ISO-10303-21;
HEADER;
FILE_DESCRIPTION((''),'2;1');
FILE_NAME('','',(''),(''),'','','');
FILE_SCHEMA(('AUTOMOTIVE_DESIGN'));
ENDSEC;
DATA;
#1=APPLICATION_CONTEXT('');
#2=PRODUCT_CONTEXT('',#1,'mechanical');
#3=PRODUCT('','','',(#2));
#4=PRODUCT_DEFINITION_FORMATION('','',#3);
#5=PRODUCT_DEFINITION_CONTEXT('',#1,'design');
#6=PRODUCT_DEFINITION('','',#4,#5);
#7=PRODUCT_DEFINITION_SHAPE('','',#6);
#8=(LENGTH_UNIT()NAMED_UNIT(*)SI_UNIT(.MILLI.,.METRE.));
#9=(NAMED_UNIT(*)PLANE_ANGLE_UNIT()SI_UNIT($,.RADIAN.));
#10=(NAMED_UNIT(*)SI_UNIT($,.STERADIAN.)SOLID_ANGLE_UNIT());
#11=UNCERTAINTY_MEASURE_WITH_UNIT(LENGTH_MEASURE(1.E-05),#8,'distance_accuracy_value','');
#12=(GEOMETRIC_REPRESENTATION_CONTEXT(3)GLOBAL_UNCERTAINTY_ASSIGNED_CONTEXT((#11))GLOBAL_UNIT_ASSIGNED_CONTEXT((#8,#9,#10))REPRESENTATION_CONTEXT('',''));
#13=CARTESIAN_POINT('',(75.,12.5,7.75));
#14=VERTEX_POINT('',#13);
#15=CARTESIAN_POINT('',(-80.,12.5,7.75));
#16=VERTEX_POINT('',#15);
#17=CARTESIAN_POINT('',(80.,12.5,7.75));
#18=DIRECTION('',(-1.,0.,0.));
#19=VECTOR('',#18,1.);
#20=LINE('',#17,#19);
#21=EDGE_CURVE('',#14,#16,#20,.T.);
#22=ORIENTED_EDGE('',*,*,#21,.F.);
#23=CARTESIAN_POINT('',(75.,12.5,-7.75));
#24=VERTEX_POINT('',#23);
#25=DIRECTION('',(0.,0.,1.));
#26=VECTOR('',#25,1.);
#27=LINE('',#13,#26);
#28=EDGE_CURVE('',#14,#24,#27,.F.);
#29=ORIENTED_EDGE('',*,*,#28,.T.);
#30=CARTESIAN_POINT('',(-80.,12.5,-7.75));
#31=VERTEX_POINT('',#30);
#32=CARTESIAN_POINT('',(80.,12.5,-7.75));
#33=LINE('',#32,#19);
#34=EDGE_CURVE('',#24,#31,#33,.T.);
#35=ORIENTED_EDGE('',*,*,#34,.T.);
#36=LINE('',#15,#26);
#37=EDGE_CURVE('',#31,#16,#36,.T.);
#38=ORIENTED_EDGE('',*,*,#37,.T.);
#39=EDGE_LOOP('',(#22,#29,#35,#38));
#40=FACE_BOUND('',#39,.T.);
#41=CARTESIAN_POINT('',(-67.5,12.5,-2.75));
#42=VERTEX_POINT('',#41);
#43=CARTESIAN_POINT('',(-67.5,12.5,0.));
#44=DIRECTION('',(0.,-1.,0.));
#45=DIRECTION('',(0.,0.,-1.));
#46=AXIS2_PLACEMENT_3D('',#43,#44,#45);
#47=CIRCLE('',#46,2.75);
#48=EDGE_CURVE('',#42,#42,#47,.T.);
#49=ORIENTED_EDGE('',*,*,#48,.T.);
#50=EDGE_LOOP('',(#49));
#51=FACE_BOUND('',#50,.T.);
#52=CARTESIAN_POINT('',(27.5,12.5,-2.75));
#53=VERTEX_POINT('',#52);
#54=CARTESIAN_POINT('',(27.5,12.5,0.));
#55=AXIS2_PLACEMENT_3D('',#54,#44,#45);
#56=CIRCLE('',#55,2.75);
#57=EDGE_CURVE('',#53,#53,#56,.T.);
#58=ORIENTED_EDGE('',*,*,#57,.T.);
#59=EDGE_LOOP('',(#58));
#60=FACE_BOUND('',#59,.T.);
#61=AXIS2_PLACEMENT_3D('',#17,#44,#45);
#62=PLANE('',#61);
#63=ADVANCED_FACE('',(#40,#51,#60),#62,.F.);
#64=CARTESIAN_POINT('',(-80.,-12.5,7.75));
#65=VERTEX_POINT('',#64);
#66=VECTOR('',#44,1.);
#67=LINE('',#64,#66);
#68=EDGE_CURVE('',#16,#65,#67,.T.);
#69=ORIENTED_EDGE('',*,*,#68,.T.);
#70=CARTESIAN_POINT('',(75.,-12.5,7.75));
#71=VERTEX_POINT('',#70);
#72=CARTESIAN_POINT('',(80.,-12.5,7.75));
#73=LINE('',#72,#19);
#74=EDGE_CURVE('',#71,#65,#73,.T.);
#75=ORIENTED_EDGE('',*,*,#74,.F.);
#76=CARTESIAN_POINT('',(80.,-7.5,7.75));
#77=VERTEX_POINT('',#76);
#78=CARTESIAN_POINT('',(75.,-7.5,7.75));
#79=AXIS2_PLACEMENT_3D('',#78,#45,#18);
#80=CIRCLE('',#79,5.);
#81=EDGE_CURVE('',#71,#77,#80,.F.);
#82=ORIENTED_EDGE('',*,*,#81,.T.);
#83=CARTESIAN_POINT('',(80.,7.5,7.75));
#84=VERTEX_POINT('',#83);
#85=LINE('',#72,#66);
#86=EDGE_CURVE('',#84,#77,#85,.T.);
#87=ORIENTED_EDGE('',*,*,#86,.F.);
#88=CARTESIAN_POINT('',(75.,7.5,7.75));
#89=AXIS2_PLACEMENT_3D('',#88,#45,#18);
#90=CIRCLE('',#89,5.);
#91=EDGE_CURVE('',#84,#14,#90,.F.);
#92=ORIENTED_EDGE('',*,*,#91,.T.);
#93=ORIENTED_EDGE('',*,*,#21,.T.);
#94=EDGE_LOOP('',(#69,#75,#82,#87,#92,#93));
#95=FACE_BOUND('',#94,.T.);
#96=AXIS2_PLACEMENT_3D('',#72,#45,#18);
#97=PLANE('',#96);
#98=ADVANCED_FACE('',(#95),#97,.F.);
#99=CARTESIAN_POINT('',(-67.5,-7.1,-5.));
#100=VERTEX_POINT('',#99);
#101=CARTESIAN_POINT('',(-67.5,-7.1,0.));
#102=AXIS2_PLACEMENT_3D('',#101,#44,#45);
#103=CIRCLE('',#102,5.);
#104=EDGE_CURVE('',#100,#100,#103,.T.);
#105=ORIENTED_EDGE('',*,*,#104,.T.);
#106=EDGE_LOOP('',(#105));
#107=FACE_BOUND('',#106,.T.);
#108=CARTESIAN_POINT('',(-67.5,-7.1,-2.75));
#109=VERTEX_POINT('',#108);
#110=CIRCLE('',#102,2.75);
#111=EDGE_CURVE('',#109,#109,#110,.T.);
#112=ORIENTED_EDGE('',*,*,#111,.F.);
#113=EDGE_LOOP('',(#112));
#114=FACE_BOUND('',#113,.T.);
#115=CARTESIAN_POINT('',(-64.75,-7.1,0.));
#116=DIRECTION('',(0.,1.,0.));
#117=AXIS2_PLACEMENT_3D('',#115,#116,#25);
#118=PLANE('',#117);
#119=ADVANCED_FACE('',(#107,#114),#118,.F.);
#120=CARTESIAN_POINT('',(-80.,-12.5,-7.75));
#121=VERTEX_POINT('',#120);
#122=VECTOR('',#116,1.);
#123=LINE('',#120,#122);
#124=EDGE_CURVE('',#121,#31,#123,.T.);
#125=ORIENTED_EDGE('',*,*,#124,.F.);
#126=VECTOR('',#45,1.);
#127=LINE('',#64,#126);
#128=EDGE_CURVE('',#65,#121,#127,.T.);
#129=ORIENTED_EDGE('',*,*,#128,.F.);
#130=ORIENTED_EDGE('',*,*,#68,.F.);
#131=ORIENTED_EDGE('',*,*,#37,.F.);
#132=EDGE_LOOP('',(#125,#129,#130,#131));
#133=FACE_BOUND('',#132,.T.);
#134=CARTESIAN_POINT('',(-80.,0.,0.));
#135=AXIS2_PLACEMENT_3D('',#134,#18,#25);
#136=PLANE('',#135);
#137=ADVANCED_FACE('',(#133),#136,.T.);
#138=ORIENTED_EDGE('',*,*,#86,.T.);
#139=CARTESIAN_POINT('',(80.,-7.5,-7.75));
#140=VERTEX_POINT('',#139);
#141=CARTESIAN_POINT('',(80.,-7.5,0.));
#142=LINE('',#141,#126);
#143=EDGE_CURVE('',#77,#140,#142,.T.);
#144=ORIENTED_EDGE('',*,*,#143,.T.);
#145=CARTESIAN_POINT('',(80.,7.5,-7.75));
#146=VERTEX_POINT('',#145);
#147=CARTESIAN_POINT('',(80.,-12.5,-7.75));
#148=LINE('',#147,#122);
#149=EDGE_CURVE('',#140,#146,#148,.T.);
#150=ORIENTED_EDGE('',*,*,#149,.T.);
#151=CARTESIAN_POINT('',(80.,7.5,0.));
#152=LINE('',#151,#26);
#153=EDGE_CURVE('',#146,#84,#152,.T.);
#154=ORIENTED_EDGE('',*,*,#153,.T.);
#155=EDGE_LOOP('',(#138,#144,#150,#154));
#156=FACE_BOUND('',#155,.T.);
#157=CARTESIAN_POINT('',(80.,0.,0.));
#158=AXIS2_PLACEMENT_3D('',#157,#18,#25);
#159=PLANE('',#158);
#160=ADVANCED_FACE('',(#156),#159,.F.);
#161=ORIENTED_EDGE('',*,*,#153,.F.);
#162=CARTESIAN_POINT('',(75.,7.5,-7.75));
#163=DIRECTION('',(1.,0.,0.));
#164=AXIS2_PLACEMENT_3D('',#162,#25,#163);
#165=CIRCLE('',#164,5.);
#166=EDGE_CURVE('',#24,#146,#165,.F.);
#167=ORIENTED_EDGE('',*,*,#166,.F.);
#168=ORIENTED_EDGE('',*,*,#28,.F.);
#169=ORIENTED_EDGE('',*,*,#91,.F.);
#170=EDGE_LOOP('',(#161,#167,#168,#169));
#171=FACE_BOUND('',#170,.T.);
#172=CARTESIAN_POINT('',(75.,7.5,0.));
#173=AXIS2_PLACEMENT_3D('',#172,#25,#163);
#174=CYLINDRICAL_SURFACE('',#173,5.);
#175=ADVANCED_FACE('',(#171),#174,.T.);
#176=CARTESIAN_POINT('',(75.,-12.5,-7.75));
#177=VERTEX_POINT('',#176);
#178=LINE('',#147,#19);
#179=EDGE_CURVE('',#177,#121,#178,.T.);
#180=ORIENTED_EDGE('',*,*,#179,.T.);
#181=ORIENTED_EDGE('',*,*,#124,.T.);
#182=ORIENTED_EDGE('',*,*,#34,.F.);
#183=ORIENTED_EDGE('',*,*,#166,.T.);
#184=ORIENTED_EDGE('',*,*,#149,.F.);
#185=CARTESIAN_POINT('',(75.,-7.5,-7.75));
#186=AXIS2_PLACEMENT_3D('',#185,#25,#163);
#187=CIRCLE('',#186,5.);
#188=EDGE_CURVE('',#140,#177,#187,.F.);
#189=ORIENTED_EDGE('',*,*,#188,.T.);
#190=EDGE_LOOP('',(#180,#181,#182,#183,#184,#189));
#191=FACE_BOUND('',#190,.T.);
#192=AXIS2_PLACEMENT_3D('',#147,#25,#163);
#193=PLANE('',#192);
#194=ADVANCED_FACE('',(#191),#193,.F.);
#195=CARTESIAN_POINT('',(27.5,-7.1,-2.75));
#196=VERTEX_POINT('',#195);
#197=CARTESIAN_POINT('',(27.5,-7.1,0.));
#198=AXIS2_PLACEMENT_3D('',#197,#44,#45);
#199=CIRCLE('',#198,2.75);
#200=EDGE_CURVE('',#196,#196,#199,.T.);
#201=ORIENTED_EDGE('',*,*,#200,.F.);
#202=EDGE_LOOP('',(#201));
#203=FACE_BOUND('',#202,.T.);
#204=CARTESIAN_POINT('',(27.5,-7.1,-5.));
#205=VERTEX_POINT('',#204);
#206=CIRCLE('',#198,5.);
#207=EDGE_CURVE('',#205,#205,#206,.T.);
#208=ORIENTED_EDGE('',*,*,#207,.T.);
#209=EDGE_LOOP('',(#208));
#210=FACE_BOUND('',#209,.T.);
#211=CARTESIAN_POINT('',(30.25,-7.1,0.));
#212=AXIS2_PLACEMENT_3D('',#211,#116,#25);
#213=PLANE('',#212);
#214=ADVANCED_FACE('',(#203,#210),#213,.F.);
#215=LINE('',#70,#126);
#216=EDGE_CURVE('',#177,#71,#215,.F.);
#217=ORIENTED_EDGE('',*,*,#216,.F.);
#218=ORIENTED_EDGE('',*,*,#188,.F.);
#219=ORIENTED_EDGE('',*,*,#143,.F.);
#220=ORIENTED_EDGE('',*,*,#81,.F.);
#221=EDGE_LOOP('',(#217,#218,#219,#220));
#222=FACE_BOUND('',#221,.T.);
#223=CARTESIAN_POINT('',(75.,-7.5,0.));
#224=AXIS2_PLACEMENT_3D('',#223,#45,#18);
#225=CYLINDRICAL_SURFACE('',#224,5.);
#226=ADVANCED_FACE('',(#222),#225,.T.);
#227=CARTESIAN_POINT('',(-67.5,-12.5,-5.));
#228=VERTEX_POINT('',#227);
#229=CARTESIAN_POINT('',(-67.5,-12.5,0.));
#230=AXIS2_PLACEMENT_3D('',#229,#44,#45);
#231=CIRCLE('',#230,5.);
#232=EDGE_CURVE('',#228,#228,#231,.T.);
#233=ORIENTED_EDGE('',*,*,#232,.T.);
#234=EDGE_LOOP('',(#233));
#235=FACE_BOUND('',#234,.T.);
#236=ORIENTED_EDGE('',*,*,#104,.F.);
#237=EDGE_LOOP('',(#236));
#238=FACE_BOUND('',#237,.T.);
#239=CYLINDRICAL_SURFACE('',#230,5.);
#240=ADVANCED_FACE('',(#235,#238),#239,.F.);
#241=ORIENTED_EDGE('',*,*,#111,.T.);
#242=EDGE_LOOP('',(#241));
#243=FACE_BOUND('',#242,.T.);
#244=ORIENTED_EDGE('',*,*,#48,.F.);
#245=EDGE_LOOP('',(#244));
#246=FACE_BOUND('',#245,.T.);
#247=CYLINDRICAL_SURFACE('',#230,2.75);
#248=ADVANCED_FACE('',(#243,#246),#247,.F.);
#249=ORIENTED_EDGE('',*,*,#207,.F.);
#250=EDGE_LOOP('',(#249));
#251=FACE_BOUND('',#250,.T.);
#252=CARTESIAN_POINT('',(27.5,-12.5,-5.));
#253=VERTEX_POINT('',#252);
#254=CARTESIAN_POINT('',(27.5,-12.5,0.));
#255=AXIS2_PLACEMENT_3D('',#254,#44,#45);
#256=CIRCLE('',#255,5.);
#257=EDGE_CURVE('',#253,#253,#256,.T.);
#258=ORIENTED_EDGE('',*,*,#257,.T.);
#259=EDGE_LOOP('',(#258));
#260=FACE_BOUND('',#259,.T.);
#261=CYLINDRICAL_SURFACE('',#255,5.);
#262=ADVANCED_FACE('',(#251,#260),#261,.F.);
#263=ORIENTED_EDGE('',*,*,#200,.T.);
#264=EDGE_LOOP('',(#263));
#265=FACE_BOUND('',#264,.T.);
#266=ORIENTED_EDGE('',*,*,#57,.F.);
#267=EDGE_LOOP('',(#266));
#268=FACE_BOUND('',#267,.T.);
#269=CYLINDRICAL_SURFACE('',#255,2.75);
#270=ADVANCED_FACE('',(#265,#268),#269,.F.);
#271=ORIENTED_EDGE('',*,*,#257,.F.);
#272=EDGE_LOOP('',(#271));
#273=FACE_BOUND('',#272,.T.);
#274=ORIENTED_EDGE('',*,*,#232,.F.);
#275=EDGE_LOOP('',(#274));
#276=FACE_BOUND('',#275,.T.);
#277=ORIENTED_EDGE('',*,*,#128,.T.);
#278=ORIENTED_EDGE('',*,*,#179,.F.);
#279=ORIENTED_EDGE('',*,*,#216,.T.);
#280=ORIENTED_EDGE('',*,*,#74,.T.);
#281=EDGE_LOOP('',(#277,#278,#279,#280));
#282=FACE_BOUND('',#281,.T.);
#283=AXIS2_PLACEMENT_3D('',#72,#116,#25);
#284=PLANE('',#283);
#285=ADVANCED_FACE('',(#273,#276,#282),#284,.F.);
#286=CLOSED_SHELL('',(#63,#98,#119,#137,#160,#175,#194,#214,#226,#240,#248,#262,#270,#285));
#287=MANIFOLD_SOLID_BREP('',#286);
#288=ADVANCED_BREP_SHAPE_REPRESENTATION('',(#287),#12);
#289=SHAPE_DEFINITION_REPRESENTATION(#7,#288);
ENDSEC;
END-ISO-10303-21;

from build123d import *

# Parameters (mm, degrees)
SKETCH1_W                                           = 15.5
SKETCH1_H                                           = 25
BOSS_EXTRUDE1_DEPTH                                 = 80
CBORE_FOR_M5_HEX_SOCKET_HEAD_CAP_SCREW1_D           = 5.5
CBORE_FOR_M5_HEX_SOCKET_HEAD_CAP_SCREW1_CBORE_D     = 10
CBORE_FOR_M5_HEX_SOCKET_HEAD_CAP_SCREW1_CBORE_DEPTH = 5.4
FILLET1_R                                           = 5
FILLET2_R                                           = 5


with BuildPart() as part:
    # Sketch1 → Boss-Extrude1 (new body, symmetric)
    with BuildSketch(Plane(origin=(0, 0, 0), x_dir=(0, 0, -1), z_dir=(1, 0, 0))):
        Rectangle(SKETCH1_W, SKETCH1_H)
    extrude(amount=BOSS_EXTRUDE1_DEPTH, both=True)

    # CBORE for M5 Hex Socket Head Cap Screw1 (through all)
    with Locations(Plane(origin=(0, -12.5, 0), x_dir=(-1, 0, 0), z_dir=(0, -1, 0))):
        with Locations((-27.5, 0), (67.5, 0)):
            CounterBoreHole(CBORE_FOR_M5_HEX_SOCKET_HEAD_CAP_SCREW1_D / 2, CBORE_FOR_M5_HEX_SOCKET_HEAD_CAP_SCREW1_CBORE_D / 2, CBORE_FOR_M5_HEX_SOCKET_HEAD_CAP_SCREW1_CBORE_DEPTH)

    # Fillet1
    fillet1_edges = [part.edges().sort_by_distance(p)[0] for p in [
        (80, -12.5, 0),
    ]]
    fillet(fillet1_edges, radius=FILLET1_R)

    # Fillet2
    fillet2_edges = [part.edges().sort_by_distance(p)[0] for p in [
        (80, 12.5, 0),
    ]]
    fillet(fillet2_edges, radius=FILLET2_R)


solid = part.part
